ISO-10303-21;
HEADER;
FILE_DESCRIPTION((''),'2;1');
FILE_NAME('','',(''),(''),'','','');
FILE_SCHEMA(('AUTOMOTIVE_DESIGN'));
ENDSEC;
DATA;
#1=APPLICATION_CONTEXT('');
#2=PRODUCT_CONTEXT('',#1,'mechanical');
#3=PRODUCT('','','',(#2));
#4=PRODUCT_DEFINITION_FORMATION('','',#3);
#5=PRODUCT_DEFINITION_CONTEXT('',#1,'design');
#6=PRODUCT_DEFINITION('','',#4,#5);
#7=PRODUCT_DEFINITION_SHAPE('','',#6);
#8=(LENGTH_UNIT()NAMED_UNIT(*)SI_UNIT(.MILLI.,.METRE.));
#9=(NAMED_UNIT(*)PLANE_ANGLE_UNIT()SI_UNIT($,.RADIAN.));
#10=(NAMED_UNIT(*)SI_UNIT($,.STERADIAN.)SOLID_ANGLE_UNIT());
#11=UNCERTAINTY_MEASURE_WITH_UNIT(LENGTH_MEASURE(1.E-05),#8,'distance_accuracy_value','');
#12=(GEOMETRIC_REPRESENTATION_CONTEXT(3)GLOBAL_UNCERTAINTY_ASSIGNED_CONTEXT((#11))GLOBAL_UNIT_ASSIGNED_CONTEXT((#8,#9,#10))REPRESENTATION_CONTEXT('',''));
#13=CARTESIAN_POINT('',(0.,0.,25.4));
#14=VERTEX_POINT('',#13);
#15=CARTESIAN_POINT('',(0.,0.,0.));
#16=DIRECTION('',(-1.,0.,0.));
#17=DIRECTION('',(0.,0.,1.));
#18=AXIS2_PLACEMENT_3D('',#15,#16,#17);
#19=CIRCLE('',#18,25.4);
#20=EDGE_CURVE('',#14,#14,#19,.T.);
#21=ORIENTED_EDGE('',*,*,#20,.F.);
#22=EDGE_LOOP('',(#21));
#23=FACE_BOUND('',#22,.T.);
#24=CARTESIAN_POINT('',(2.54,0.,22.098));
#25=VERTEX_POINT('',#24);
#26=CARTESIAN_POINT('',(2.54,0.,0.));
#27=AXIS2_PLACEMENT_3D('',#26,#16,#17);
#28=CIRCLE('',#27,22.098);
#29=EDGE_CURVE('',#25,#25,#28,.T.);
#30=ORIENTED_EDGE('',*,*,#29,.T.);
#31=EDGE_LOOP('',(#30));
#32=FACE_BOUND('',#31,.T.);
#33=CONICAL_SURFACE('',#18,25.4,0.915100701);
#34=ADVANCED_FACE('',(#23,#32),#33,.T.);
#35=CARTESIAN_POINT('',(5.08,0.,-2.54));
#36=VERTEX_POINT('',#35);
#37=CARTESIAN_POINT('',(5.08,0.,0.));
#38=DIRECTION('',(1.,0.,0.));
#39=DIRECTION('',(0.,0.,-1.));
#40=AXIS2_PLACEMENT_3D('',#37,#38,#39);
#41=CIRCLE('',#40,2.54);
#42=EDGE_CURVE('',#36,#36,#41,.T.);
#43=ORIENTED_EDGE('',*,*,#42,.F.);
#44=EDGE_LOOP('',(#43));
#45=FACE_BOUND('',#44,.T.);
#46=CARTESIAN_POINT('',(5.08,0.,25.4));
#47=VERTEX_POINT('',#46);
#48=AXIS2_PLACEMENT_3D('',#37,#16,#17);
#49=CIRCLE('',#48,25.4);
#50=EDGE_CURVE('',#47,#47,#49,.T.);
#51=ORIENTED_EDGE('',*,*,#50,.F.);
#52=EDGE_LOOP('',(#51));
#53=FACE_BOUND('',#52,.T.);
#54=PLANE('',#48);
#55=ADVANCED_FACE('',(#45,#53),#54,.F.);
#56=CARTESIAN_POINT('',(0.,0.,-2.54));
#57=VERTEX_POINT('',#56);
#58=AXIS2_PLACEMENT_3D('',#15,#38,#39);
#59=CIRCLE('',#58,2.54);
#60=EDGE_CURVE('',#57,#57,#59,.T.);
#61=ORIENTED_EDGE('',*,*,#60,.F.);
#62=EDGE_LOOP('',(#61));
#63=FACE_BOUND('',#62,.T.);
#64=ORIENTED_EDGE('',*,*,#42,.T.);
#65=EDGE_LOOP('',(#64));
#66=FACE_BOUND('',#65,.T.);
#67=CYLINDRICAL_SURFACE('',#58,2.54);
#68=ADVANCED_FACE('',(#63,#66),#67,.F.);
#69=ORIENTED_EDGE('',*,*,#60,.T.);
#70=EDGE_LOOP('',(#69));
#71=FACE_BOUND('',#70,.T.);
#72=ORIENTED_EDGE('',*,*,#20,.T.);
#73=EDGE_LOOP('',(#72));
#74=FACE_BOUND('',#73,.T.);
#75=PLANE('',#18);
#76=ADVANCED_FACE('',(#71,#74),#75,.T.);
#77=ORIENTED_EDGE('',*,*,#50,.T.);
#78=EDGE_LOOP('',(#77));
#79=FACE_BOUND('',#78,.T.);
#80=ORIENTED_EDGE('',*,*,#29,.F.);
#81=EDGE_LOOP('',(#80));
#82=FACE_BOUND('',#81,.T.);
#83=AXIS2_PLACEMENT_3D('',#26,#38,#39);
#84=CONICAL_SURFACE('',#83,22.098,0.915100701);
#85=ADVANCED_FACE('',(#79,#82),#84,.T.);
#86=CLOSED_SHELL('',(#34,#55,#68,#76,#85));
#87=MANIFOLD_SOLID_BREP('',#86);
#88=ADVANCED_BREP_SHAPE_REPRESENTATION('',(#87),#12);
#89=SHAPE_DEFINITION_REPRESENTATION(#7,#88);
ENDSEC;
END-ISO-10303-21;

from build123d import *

# Parameters (mm, degrees)
SKETCH2_R          = 2.54
CUT_EXTRUDE1_DEPTH = 6.08


with BuildPart() as part:
    # Sketch1 → Revolve1 (revolve)
    with BuildSketch(Plane(origin=(0, 0, 0), x_dir=(1, 0, 0), z_dir=(0, 1, 0))):
        Polygon((2.54, 22.098), (5.08, 25.4), (5.08, 0), (0, 0), (0, 25.4), align=None)
    revolve(axis=Axis((0, 0, 0), (1, 0, 0)))

    # Sketch2 → Cut-Extrude1 (cut, through all)
    with BuildSketch(Plane(origin=(5.08, 0, 0), x_dir=(0, 0, -1), z_dir=(1, 0, 0))):
        Circle(SKETCH2_R)
    extrude(amount=-CUT_EXTRUDE1_DEPTH, mode=Mode.SUBTRACT)


solid = part.part
